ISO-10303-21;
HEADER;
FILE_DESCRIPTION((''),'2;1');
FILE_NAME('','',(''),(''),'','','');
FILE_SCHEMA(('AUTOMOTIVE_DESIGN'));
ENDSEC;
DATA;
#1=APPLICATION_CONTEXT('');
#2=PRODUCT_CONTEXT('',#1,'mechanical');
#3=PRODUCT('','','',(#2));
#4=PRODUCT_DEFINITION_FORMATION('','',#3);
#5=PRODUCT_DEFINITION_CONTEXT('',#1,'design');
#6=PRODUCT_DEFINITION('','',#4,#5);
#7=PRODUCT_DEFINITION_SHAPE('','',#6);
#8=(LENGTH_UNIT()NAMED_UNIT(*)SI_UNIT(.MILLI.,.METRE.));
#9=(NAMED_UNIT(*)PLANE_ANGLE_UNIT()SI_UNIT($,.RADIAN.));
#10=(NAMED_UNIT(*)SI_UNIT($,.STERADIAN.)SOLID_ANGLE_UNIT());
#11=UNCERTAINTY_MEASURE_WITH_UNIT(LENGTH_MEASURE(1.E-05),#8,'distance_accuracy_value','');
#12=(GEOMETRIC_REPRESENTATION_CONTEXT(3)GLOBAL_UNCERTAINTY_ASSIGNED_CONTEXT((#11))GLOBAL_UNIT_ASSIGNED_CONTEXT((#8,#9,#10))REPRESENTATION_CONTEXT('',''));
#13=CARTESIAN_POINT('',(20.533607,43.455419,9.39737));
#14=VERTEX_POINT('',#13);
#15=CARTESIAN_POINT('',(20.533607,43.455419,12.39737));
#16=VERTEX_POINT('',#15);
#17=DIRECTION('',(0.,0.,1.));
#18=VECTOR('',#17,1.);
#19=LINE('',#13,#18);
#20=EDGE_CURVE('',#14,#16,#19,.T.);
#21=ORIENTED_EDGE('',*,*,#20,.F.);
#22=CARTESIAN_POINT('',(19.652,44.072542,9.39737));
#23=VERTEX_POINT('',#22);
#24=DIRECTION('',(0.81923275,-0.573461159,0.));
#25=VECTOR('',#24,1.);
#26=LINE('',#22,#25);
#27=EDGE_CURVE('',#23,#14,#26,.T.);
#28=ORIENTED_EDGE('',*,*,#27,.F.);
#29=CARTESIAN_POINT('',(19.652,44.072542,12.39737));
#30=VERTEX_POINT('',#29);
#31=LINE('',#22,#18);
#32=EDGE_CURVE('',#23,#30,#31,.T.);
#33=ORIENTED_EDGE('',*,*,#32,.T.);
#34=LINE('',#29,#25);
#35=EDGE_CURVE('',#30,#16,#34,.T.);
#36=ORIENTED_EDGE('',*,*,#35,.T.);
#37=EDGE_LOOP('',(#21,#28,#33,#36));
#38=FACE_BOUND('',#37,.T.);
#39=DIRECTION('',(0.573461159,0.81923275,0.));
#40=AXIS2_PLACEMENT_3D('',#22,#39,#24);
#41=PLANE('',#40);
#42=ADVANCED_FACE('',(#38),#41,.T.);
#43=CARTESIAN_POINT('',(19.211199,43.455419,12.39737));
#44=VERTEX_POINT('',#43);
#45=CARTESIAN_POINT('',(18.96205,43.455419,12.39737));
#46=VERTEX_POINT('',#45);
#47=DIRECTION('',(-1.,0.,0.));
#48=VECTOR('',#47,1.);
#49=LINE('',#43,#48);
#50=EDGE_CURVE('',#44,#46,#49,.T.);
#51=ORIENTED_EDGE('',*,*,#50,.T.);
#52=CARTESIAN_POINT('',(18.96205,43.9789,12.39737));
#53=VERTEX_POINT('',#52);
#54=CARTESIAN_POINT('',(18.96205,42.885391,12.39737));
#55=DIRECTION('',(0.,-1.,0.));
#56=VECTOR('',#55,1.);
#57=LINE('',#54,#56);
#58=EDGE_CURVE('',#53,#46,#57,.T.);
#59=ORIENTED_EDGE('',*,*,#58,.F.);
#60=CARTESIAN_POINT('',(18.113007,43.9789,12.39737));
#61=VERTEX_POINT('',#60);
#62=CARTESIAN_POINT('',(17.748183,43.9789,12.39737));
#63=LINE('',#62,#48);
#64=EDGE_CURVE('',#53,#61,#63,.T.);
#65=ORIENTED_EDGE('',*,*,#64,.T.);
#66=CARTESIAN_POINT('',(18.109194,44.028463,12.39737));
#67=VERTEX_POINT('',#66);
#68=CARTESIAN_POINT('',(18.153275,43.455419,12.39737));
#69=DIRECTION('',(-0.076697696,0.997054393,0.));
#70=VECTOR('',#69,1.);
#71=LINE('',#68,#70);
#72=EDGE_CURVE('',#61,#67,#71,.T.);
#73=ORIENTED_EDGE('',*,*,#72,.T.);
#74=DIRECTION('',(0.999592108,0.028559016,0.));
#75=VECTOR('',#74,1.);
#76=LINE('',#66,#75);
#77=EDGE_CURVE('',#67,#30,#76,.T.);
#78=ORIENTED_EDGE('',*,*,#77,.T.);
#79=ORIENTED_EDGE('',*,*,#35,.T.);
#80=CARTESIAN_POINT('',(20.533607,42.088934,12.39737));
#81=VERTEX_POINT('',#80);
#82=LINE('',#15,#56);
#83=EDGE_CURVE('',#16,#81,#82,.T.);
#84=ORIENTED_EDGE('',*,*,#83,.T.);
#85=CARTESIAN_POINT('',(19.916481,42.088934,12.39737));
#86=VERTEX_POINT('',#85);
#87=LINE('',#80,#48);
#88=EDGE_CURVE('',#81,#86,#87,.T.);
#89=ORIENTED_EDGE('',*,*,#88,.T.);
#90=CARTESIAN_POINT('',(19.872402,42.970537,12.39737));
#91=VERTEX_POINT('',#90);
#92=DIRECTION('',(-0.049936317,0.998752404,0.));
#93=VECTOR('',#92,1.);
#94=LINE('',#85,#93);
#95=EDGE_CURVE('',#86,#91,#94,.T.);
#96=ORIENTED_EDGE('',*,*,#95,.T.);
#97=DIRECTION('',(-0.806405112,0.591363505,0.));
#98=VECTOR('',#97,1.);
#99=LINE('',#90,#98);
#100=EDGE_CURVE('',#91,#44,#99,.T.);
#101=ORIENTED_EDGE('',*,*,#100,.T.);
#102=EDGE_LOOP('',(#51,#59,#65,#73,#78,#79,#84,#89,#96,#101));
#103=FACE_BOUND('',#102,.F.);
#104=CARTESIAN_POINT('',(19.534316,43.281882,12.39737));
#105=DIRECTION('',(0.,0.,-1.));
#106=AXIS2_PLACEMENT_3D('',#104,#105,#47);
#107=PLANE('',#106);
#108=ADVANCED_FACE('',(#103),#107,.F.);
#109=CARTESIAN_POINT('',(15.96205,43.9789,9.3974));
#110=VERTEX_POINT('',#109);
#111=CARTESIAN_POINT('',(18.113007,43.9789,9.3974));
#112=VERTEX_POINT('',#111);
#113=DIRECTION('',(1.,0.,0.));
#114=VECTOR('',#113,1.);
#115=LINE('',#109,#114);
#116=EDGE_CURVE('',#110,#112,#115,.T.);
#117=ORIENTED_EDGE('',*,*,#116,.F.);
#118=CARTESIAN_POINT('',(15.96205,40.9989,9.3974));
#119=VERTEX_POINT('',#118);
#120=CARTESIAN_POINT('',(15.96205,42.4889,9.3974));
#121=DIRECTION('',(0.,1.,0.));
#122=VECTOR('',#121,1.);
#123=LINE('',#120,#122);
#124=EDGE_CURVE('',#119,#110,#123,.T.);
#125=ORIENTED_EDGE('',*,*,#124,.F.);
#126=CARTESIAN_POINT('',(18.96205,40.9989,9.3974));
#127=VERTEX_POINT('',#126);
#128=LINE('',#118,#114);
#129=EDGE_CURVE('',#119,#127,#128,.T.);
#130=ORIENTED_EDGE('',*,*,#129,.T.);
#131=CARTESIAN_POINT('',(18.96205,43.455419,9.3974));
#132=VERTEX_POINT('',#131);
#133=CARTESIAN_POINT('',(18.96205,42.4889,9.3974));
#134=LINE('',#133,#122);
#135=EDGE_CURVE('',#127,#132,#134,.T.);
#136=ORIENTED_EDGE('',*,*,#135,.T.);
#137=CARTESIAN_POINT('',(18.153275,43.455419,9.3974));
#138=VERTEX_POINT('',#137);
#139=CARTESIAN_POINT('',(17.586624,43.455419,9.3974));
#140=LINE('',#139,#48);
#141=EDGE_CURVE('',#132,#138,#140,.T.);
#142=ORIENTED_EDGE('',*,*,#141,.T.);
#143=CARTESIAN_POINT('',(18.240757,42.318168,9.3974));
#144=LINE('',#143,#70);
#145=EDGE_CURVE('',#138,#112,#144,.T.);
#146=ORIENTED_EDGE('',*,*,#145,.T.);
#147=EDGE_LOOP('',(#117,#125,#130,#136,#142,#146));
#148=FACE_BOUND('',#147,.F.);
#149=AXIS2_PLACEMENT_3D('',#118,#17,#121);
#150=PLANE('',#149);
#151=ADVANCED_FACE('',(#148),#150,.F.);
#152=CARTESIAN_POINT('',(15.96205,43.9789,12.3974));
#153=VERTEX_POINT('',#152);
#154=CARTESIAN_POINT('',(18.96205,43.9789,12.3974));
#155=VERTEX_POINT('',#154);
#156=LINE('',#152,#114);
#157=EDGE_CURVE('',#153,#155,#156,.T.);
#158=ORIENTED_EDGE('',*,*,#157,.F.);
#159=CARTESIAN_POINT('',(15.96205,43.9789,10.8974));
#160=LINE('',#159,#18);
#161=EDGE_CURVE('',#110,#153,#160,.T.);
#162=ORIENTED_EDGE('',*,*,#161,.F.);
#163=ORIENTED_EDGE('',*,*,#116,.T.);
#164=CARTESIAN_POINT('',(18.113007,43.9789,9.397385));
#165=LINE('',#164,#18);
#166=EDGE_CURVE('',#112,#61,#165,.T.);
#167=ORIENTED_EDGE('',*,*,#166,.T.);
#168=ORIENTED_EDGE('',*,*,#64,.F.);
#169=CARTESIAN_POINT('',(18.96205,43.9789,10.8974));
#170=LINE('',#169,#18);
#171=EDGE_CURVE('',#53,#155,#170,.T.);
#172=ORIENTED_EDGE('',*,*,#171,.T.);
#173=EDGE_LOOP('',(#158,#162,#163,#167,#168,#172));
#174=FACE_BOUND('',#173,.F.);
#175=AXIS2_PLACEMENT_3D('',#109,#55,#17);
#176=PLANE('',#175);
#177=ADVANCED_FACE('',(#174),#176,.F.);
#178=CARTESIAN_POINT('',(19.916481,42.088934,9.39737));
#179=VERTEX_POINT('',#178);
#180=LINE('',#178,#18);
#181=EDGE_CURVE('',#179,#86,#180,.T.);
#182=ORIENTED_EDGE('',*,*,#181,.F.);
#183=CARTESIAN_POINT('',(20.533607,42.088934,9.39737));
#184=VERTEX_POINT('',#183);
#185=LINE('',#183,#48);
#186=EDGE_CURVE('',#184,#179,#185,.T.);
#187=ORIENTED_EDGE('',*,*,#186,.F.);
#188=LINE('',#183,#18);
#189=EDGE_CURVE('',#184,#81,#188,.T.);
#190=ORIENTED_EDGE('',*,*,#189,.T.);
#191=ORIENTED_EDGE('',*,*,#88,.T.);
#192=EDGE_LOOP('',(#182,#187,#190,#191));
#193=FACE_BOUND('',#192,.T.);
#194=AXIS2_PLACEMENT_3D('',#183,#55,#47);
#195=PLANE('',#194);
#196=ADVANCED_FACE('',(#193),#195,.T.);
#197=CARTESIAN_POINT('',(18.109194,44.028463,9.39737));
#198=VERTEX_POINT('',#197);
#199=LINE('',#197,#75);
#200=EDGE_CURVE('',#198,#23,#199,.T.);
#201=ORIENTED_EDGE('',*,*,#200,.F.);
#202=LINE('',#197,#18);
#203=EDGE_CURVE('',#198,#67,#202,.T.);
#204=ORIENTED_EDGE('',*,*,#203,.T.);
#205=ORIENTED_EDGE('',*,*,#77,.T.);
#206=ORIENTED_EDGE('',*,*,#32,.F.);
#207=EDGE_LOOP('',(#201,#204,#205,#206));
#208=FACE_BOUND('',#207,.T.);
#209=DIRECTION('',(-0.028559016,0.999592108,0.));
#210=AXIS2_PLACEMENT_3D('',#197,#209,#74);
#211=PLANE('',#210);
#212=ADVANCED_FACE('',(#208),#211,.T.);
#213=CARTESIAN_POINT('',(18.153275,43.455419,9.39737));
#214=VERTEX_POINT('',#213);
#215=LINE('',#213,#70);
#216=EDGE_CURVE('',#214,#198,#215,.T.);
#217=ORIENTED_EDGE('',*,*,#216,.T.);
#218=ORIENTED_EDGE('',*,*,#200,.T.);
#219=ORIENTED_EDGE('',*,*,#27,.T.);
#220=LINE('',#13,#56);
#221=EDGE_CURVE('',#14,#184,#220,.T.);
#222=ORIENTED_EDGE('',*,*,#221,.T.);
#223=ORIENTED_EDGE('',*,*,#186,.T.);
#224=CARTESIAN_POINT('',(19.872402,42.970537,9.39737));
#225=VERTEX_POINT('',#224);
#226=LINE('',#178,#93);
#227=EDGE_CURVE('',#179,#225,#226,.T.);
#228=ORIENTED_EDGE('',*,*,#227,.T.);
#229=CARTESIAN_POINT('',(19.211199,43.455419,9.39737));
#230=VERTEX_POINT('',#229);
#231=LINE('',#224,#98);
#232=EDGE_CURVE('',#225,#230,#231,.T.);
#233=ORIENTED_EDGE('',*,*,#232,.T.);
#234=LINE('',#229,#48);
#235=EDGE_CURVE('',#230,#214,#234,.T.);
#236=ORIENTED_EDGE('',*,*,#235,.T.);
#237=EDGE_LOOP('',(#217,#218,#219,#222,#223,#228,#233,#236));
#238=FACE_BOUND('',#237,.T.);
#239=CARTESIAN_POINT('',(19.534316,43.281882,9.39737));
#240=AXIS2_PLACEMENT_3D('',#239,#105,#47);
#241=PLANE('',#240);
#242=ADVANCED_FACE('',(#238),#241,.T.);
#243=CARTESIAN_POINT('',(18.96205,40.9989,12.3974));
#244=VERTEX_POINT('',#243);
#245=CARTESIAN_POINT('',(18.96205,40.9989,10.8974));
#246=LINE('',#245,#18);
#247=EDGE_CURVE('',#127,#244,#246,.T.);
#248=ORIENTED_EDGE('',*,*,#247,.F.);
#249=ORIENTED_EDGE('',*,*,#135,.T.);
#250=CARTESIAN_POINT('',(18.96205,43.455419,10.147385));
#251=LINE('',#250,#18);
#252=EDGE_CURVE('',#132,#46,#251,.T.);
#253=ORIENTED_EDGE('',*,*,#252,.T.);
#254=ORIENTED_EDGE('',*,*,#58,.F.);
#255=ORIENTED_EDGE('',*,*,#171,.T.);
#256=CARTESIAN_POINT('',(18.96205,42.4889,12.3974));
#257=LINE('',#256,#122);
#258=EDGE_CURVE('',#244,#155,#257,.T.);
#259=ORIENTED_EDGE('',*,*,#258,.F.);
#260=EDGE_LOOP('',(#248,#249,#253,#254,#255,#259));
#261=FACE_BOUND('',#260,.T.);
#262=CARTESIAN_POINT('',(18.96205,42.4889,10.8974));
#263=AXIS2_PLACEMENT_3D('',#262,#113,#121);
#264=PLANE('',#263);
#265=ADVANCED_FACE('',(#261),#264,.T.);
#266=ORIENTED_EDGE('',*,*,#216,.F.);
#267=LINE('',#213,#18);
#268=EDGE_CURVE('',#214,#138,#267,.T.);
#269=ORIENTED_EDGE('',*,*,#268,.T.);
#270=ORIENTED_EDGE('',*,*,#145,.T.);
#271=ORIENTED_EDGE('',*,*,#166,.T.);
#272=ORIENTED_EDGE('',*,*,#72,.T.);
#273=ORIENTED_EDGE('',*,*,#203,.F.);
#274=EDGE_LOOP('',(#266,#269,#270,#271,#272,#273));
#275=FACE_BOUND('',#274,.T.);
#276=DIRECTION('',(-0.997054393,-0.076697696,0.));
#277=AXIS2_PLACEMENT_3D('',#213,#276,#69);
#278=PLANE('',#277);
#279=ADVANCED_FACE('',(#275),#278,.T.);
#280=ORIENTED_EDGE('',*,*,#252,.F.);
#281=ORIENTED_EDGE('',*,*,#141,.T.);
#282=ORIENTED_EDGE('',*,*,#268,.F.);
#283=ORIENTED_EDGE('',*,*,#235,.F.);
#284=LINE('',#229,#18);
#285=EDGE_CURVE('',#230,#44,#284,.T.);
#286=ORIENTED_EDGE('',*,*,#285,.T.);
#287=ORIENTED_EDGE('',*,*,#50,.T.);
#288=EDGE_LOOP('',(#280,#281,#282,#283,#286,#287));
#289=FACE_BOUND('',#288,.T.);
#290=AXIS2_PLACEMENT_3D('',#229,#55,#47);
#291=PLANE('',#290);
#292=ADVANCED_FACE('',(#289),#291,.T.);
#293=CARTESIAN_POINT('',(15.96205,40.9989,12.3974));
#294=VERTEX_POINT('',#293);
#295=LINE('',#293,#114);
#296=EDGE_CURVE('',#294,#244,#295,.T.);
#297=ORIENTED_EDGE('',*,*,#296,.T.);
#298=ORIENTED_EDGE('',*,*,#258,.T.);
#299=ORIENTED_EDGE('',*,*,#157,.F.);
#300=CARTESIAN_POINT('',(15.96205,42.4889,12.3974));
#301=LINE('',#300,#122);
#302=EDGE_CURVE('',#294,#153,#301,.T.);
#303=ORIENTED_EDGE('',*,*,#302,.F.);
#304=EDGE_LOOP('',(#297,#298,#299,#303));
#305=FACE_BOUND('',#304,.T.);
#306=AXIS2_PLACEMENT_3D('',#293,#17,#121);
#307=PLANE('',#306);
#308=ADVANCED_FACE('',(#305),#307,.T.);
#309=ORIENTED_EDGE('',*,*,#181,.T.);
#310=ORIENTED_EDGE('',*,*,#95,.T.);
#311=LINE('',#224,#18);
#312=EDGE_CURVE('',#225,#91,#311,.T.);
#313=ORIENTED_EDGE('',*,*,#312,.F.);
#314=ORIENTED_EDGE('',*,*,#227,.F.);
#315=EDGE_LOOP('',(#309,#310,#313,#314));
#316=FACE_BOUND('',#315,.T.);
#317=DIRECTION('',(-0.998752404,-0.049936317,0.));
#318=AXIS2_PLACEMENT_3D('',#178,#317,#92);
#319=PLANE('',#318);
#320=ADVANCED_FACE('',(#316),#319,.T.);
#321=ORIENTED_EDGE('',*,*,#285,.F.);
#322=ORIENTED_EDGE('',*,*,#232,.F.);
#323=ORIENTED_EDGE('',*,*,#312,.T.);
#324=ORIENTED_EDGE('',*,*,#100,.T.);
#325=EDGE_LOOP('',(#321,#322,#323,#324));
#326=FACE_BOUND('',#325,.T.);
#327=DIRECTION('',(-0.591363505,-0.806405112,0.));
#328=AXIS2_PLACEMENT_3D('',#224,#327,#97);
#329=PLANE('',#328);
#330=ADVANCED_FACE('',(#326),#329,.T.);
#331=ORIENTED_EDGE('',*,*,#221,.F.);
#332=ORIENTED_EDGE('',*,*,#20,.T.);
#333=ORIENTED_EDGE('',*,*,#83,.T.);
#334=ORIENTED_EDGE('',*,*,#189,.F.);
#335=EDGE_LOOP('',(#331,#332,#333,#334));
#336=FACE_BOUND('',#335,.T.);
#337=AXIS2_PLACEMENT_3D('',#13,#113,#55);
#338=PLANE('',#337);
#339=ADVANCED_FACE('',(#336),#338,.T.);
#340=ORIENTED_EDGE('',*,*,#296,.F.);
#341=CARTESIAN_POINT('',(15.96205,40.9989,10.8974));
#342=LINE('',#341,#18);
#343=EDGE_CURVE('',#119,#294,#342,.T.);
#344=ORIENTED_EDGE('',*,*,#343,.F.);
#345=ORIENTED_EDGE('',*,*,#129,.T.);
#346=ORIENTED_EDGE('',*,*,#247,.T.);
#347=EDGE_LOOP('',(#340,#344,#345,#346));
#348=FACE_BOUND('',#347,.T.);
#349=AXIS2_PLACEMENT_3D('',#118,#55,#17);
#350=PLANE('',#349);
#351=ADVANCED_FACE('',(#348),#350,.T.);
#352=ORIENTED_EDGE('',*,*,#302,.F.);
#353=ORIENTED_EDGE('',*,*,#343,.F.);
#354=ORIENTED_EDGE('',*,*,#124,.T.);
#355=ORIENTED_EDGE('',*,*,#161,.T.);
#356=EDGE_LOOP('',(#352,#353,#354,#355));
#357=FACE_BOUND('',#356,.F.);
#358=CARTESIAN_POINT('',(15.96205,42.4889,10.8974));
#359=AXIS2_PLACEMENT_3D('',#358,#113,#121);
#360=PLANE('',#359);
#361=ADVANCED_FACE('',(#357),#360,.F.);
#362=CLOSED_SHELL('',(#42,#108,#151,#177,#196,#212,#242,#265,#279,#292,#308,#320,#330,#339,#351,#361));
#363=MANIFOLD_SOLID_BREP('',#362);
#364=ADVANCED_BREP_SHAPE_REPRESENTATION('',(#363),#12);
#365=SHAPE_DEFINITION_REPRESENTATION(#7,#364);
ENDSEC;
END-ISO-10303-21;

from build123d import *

# Parameters (mm, degrees)
RECTANGLE008_W   = 2.98
RECTANGLE008_H   = 3
EXTRUDE026_DEPTH = 3
EXTRUDE025_DEPTH = 3


with BuildPart() as extrude026:
    # Rectangle008 → Extrude026 (new body)
    with BuildSketch(Plane(origin=(22.53, 42.0889, 12.3974), x_dir=(0, 1, 0), z_dir=(1, 0, 0))):
        with Locations((1.49, -1.5)):
            Rectangle(RECTANGLE008_W, RECTANGLE008_H)
    extrude(amount=EXTRUDE026_DEPTH)


with BuildPart() as extrude026_1:
    # Extrude026 placement: moved
    add(extrude026.part.moved(Location((-6.56795, -1.09, 0))))


with BuildPart() as alca1:
    # DWire → Extrude025 (new body)
    with BuildSketch(Plane.XY):
        Polygon((24.153275, 43.285419), (24.109194, 43.858463), (25.652, 43.902542), (26.533607, 43.285419), (26.533607, 41.918934), (25.916481, 41.918934), (25.872402, 42.800537), (25.211199, 43.285419), align=None)
    extrude(amount=EXTRUDE025_DEPTH)


with BuildPart() as alca1_1:
    # Extrude025 placement: moved
    add(alca1.part.moved(Location((-6, 0.17, 9.39737))))

    # Fusion001: union Extrude026
    add(extrude026_1.part)


solid = alca1_1.part
